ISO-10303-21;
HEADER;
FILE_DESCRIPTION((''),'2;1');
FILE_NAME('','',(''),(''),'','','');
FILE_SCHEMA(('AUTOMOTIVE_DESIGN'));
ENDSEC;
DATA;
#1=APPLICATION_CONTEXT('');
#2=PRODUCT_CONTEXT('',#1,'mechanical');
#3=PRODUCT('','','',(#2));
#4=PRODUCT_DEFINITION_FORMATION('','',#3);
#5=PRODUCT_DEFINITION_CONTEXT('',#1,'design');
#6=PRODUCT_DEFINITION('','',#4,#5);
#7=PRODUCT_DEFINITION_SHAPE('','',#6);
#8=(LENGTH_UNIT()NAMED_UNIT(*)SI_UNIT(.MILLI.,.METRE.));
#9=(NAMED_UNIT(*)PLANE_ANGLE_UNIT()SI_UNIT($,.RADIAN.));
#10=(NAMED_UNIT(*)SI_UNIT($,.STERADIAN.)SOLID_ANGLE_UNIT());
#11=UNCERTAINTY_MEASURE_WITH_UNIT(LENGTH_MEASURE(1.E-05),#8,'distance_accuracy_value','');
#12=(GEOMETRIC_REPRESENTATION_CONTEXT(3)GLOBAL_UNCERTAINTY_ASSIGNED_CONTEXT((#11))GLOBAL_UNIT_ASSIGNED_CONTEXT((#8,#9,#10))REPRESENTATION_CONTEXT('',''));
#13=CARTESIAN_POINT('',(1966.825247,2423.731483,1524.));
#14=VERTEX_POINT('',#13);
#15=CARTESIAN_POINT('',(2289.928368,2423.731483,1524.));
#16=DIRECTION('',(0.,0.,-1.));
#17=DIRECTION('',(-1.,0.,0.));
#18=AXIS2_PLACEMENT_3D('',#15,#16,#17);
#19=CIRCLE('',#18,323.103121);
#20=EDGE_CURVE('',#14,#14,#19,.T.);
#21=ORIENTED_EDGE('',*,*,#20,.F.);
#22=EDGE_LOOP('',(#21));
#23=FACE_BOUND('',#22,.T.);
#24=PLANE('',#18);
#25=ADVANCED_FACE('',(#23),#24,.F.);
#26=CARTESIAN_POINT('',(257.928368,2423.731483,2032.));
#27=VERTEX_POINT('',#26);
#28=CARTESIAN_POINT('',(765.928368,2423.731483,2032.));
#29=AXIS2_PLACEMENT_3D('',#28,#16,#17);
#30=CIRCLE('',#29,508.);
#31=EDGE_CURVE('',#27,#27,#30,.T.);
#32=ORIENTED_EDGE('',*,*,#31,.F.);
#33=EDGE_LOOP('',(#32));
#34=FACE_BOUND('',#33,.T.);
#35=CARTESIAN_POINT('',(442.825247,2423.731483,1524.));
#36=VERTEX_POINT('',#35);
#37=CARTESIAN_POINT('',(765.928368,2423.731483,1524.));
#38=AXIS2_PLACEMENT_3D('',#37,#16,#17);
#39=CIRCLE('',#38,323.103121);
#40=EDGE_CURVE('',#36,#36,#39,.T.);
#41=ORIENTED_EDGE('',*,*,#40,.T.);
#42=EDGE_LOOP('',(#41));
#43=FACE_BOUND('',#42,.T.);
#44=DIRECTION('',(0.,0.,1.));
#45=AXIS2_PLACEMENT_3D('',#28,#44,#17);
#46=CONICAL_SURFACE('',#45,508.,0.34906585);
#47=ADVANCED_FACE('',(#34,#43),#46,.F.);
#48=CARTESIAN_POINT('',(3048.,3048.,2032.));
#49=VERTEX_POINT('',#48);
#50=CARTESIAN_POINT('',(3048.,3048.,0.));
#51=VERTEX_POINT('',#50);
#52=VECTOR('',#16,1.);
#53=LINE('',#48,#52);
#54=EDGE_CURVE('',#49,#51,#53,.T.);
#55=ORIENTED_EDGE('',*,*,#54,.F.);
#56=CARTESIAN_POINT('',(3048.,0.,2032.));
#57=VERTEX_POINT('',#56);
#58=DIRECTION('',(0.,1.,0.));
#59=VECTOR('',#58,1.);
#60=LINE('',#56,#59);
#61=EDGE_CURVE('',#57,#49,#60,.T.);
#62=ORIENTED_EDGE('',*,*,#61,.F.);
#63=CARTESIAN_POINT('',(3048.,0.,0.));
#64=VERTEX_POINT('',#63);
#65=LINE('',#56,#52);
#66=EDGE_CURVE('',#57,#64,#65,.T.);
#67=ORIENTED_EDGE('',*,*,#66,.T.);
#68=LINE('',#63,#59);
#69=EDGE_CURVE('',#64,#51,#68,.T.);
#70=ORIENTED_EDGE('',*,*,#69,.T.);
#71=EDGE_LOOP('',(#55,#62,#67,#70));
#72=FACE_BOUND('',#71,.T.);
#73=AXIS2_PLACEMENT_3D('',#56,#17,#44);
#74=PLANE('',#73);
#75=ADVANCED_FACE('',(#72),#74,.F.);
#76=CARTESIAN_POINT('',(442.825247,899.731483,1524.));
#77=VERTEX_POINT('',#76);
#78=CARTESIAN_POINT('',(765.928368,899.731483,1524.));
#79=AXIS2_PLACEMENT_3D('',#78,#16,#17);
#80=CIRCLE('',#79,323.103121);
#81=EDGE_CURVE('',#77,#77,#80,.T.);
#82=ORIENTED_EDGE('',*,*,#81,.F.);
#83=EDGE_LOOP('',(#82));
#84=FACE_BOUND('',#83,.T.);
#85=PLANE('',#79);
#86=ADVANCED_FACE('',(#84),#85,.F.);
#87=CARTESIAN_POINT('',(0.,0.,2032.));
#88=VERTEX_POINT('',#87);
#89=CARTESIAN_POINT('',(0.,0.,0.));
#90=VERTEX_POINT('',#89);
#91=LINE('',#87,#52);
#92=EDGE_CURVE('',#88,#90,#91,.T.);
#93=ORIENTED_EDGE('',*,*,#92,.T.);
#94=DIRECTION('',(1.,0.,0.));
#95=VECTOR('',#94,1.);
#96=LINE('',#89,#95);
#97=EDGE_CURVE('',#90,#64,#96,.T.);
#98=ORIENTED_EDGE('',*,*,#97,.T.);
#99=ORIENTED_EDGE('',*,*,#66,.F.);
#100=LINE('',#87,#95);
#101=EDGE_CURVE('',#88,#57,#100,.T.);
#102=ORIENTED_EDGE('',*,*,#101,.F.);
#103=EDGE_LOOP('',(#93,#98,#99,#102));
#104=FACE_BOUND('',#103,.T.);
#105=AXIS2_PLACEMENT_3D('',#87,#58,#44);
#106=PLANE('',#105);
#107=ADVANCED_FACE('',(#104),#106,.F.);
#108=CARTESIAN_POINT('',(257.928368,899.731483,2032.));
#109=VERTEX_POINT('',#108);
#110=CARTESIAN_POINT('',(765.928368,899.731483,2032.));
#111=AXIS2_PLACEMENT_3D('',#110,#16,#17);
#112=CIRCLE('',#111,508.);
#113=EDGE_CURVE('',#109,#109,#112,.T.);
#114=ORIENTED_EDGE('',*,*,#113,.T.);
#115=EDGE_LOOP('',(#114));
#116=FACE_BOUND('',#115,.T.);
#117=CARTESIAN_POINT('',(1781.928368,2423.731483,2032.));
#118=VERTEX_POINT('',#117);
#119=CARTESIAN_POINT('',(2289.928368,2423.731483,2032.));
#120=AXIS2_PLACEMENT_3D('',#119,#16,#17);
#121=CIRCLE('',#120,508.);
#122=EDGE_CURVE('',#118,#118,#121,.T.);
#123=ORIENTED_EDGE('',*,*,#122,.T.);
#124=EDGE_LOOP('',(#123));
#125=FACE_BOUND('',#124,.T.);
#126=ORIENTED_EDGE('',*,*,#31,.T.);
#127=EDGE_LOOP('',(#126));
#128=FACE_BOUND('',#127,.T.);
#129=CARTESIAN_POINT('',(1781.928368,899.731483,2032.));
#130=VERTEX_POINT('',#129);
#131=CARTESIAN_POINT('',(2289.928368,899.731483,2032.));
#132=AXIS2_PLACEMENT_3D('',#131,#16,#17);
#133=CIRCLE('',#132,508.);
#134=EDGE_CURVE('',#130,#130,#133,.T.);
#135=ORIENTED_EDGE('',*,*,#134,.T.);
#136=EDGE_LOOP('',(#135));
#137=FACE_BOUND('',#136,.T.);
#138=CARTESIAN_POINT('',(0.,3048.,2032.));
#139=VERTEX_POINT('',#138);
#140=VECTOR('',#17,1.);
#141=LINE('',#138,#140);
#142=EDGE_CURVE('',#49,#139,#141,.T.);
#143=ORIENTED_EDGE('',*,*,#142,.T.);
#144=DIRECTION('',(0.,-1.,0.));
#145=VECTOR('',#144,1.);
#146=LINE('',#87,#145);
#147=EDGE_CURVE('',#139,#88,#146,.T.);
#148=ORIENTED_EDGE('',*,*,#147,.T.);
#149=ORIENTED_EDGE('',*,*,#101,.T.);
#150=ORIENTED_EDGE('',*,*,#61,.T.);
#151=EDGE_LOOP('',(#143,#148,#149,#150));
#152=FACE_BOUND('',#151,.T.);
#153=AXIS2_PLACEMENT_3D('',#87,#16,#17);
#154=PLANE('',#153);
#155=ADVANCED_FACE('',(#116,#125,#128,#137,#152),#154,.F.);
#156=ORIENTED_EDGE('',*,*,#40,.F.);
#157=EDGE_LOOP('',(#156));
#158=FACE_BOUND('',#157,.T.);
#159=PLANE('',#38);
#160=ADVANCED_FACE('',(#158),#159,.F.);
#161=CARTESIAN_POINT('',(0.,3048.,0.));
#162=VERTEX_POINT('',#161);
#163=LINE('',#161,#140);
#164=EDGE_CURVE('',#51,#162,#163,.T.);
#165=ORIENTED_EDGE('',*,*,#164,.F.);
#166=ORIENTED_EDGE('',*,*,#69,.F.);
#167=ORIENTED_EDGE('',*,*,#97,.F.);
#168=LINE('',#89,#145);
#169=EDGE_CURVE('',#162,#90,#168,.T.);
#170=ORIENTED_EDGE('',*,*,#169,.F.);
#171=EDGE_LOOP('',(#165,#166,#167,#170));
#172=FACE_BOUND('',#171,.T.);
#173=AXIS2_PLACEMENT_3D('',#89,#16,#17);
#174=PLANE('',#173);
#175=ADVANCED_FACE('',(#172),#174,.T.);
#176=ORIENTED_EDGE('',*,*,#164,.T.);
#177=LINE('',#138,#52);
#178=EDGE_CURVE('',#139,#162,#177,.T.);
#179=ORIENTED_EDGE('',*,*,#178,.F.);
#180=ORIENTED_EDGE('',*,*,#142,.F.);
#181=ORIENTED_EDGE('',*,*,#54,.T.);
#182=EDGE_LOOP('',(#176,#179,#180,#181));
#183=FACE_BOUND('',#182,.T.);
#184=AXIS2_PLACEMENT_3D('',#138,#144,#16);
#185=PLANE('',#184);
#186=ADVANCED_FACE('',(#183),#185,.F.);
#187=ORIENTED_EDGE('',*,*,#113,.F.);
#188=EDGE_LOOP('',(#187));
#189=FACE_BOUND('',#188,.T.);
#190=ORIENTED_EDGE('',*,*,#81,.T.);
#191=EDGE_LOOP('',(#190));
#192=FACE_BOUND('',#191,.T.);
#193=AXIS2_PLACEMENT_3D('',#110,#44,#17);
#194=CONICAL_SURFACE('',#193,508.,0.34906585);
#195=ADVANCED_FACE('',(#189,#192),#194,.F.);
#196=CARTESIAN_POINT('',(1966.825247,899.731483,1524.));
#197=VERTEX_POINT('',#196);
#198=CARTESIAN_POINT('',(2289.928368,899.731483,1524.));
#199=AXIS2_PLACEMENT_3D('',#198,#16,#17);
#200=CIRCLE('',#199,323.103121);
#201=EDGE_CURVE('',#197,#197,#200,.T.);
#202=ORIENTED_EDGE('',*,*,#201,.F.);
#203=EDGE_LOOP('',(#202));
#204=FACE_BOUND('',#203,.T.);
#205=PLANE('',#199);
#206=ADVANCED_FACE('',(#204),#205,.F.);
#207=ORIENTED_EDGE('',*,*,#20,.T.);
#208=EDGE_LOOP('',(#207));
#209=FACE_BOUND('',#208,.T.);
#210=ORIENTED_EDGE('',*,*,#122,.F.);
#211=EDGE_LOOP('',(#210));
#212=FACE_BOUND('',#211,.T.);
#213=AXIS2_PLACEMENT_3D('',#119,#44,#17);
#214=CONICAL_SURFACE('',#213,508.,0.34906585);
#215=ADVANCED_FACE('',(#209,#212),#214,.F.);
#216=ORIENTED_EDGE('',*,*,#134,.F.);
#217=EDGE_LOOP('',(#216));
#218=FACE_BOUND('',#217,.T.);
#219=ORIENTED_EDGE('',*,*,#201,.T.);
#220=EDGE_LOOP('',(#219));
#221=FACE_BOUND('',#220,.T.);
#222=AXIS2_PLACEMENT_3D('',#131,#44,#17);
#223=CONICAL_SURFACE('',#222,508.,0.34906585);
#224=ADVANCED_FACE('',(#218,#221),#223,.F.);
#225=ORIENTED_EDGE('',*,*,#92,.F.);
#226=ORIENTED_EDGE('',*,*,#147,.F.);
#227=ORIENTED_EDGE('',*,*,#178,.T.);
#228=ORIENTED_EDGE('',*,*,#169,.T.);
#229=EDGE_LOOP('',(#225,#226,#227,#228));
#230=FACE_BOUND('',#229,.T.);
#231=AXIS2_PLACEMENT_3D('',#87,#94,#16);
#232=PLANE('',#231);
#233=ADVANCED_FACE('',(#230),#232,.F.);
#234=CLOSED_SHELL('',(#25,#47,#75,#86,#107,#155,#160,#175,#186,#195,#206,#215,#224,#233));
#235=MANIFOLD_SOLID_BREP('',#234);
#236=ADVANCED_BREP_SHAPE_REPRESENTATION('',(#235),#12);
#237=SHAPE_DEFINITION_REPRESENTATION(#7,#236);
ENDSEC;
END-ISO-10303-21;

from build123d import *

# Parameters (mm, degrees)
SKETCH1_W                 = 3048
SKETCH1_H                 = 3048
BOSS_EXTRUDE1_DEPTH       = 2032
CUT_EXTRUDE1_START        = 2032
SKETCH2_R                 = 508
CUT_EXTRUDE1_DEPTH        = 508
CUT_EXTRUDE1_DRAFT        = -20
LPATTERN1_START           = 2032
LPATTERN1_COPY_1_SKETCH_R = 508
LPATTERN1_COPY_1_DEPTH    = 508
LPATTERN1_COPY_1_DRAFT    = -20
LPATTERN1_COPY_2_SKETCH_R = 508
LPATTERN1_COPY_2_DEPTH    = 508
LPATTERN1_COPY_2_DRAFT    = -20
LPATTERN1_COPY_3_SKETCH_R = 508
LPATTERN1_COPY_3_DEPTH    = 508
LPATTERN1_COPY_3_DRAFT    = -20


with BuildPart() as part:
    # Sketch1 → Boss-Extrude1 (new body)
    with BuildSketch(Plane.XY):
        with Locations((1524, 1524)):
            Rectangle(SKETCH1_W, SKETCH1_H)
    extrude(amount=BOSS_EXTRUDE1_DEPTH)


with BuildPart() as cut_extrude1_tool:
    # Sketch2 → Cut-Extrude1 (with draft: the straight prism first)
    with BuildSketch(Plane.XY.offset(CUT_EXTRUDE1_START)):
        with Locations((765.92836786, 2423.73148259)):
            Circle(SKETCH2_R)
    extrude(amount=-CUT_EXTRUDE1_DEPTH)
    # Cut-Extrude1: the draft: its side faces are tilted about the plane it starts from
    cut_extrude1_sides = [cut_extrude1_tool.faces().sort_by_distance(p)[0] for p in [
        (257.92836786, 2423.73148259, 1778),
    ]]
    draft(cut_extrude1_sides, Plane.XY.offset(CUT_EXTRUDE1_START), CUT_EXTRUDE1_DRAFT)


with BuildPart() as part_1:
    add(part.part)

    # Cut-Extrude1: cut by cut_extrude1_tool
    add(cut_extrude1_tool.part, mode=Mode.SUBTRACT)


with BuildPart() as lpattern1_copy_1_tool:
    # LPattern1 copy 1 sketch → LPattern1 copy 1 (with draft: the straight prism first)
    with BuildSketch(Plane(origin=(0, -1524, 0), x_dir=(1, 0, 0), z_dir=(0, 0, 1)).offset(LPATTERN1_START)):
        with Locations((765.92836786, 2423.73148259)):
            Circle(LPATTERN1_COPY_1_SKETCH_R)
    extrude(amount=-LPATTERN1_COPY_1_DEPTH)
    # LPattern1 copy 1: the draft: its side faces are tilted about the plane it starts from
    lpattern1_copy_1_sides = [lpattern1_copy_1_tool.faces().sort_by_distance(p)[0] for p in [
        (257.92836786, 899.73148259, 1778),
    ]]
    draft(lpattern1_copy_1_sides, Plane(origin=(0, -1524, 0), x_dir=(1, 0, 0), z_dir=(0, 0, 1)).offset(LPATTERN1_START), LPATTERN1_COPY_1_DRAFT)


with BuildPart() as part_2:
    add(part_1.part)

    # LPattern1 copy 1: cut by lpattern1_copy_1_tool
    add(lpattern1_copy_1_tool.part, mode=Mode.SUBTRACT)


with BuildPart() as lpattern1_copy_2_tool:
    # LPattern1 copy 2 sketch → LPattern1 copy 2 (with draft: the straight prism first)
    with BuildSketch(Plane(origin=(1524, 0, 0), x_dir=(1, 0, 0), z_dir=(0, 0, 1)).offset(LPATTERN1_START)):
        with Locations((765.92836786, 2423.73148259)):
            Circle(LPATTERN1_COPY_2_SKETCH_R)
    extrude(amount=-LPATTERN1_COPY_2_DEPTH)
    # LPattern1 copy 2: the draft: its side faces are tilted about the plane it starts from
    lpattern1_copy_2_sides = [lpattern1_copy_2_tool.faces().sort_by_distance(p)[0] for p in [
        (1781.92836786, 2423.73148259, 1778),
    ]]
    draft(lpattern1_copy_2_sides, Plane(origin=(1524, 0, 0), x_dir=(1, 0, 0), z_dir=(0, 0, 1)).offset(LPATTERN1_START), LPATTERN1_COPY_2_DRAFT)


with BuildPart() as part_3:
    add(part_2.part)

    # LPattern1 copy 2: cut by lpattern1_copy_2_tool
    add(lpattern1_copy_2_tool.part, mode=Mode.SUBTRACT)


with BuildPart() as lpattern1_copy_3_tool:
    # LPattern1 copy 3 sketch → LPattern1 copy 3 (with draft: the straight prism first)
    with BuildSketch(Plane(origin=(1524, -1524, 0), x_dir=(1, 0, 0), z_dir=(0, 0, 1)).offset(LPATTERN1_START)):
        with Locations((765.92836786, 2423.73148259)):
            Circle(LPATTERN1_COPY_3_SKETCH_R)
    extrude(amount=-LPATTERN1_COPY_3_DEPTH)
    # LPattern1 copy 3: the draft: its side faces are tilted about the plane it starts from
    lpattern1_copy_3_sides = [lpattern1_copy_3_tool.faces().sort_by_distance(p)[0] for p in [
        (1781.92836786, 899.73148259, 1778),
    ]]
    draft(lpattern1_copy_3_sides, Plane(origin=(1524, -1524, 0), x_dir=(1, 0, 0), z_dir=(0, 0, 1)).offset(LPATTERN1_START), LPATTERN1_COPY_3_DRAFT)


with BuildPart() as part_4:
    add(part_3.part)

    # LPattern1 copy 3: cut by lpattern1_copy_3_tool
    add(lpattern1_copy_3_tool.part, mode=Mode.SUBTRACT)


solid = part_4.part
